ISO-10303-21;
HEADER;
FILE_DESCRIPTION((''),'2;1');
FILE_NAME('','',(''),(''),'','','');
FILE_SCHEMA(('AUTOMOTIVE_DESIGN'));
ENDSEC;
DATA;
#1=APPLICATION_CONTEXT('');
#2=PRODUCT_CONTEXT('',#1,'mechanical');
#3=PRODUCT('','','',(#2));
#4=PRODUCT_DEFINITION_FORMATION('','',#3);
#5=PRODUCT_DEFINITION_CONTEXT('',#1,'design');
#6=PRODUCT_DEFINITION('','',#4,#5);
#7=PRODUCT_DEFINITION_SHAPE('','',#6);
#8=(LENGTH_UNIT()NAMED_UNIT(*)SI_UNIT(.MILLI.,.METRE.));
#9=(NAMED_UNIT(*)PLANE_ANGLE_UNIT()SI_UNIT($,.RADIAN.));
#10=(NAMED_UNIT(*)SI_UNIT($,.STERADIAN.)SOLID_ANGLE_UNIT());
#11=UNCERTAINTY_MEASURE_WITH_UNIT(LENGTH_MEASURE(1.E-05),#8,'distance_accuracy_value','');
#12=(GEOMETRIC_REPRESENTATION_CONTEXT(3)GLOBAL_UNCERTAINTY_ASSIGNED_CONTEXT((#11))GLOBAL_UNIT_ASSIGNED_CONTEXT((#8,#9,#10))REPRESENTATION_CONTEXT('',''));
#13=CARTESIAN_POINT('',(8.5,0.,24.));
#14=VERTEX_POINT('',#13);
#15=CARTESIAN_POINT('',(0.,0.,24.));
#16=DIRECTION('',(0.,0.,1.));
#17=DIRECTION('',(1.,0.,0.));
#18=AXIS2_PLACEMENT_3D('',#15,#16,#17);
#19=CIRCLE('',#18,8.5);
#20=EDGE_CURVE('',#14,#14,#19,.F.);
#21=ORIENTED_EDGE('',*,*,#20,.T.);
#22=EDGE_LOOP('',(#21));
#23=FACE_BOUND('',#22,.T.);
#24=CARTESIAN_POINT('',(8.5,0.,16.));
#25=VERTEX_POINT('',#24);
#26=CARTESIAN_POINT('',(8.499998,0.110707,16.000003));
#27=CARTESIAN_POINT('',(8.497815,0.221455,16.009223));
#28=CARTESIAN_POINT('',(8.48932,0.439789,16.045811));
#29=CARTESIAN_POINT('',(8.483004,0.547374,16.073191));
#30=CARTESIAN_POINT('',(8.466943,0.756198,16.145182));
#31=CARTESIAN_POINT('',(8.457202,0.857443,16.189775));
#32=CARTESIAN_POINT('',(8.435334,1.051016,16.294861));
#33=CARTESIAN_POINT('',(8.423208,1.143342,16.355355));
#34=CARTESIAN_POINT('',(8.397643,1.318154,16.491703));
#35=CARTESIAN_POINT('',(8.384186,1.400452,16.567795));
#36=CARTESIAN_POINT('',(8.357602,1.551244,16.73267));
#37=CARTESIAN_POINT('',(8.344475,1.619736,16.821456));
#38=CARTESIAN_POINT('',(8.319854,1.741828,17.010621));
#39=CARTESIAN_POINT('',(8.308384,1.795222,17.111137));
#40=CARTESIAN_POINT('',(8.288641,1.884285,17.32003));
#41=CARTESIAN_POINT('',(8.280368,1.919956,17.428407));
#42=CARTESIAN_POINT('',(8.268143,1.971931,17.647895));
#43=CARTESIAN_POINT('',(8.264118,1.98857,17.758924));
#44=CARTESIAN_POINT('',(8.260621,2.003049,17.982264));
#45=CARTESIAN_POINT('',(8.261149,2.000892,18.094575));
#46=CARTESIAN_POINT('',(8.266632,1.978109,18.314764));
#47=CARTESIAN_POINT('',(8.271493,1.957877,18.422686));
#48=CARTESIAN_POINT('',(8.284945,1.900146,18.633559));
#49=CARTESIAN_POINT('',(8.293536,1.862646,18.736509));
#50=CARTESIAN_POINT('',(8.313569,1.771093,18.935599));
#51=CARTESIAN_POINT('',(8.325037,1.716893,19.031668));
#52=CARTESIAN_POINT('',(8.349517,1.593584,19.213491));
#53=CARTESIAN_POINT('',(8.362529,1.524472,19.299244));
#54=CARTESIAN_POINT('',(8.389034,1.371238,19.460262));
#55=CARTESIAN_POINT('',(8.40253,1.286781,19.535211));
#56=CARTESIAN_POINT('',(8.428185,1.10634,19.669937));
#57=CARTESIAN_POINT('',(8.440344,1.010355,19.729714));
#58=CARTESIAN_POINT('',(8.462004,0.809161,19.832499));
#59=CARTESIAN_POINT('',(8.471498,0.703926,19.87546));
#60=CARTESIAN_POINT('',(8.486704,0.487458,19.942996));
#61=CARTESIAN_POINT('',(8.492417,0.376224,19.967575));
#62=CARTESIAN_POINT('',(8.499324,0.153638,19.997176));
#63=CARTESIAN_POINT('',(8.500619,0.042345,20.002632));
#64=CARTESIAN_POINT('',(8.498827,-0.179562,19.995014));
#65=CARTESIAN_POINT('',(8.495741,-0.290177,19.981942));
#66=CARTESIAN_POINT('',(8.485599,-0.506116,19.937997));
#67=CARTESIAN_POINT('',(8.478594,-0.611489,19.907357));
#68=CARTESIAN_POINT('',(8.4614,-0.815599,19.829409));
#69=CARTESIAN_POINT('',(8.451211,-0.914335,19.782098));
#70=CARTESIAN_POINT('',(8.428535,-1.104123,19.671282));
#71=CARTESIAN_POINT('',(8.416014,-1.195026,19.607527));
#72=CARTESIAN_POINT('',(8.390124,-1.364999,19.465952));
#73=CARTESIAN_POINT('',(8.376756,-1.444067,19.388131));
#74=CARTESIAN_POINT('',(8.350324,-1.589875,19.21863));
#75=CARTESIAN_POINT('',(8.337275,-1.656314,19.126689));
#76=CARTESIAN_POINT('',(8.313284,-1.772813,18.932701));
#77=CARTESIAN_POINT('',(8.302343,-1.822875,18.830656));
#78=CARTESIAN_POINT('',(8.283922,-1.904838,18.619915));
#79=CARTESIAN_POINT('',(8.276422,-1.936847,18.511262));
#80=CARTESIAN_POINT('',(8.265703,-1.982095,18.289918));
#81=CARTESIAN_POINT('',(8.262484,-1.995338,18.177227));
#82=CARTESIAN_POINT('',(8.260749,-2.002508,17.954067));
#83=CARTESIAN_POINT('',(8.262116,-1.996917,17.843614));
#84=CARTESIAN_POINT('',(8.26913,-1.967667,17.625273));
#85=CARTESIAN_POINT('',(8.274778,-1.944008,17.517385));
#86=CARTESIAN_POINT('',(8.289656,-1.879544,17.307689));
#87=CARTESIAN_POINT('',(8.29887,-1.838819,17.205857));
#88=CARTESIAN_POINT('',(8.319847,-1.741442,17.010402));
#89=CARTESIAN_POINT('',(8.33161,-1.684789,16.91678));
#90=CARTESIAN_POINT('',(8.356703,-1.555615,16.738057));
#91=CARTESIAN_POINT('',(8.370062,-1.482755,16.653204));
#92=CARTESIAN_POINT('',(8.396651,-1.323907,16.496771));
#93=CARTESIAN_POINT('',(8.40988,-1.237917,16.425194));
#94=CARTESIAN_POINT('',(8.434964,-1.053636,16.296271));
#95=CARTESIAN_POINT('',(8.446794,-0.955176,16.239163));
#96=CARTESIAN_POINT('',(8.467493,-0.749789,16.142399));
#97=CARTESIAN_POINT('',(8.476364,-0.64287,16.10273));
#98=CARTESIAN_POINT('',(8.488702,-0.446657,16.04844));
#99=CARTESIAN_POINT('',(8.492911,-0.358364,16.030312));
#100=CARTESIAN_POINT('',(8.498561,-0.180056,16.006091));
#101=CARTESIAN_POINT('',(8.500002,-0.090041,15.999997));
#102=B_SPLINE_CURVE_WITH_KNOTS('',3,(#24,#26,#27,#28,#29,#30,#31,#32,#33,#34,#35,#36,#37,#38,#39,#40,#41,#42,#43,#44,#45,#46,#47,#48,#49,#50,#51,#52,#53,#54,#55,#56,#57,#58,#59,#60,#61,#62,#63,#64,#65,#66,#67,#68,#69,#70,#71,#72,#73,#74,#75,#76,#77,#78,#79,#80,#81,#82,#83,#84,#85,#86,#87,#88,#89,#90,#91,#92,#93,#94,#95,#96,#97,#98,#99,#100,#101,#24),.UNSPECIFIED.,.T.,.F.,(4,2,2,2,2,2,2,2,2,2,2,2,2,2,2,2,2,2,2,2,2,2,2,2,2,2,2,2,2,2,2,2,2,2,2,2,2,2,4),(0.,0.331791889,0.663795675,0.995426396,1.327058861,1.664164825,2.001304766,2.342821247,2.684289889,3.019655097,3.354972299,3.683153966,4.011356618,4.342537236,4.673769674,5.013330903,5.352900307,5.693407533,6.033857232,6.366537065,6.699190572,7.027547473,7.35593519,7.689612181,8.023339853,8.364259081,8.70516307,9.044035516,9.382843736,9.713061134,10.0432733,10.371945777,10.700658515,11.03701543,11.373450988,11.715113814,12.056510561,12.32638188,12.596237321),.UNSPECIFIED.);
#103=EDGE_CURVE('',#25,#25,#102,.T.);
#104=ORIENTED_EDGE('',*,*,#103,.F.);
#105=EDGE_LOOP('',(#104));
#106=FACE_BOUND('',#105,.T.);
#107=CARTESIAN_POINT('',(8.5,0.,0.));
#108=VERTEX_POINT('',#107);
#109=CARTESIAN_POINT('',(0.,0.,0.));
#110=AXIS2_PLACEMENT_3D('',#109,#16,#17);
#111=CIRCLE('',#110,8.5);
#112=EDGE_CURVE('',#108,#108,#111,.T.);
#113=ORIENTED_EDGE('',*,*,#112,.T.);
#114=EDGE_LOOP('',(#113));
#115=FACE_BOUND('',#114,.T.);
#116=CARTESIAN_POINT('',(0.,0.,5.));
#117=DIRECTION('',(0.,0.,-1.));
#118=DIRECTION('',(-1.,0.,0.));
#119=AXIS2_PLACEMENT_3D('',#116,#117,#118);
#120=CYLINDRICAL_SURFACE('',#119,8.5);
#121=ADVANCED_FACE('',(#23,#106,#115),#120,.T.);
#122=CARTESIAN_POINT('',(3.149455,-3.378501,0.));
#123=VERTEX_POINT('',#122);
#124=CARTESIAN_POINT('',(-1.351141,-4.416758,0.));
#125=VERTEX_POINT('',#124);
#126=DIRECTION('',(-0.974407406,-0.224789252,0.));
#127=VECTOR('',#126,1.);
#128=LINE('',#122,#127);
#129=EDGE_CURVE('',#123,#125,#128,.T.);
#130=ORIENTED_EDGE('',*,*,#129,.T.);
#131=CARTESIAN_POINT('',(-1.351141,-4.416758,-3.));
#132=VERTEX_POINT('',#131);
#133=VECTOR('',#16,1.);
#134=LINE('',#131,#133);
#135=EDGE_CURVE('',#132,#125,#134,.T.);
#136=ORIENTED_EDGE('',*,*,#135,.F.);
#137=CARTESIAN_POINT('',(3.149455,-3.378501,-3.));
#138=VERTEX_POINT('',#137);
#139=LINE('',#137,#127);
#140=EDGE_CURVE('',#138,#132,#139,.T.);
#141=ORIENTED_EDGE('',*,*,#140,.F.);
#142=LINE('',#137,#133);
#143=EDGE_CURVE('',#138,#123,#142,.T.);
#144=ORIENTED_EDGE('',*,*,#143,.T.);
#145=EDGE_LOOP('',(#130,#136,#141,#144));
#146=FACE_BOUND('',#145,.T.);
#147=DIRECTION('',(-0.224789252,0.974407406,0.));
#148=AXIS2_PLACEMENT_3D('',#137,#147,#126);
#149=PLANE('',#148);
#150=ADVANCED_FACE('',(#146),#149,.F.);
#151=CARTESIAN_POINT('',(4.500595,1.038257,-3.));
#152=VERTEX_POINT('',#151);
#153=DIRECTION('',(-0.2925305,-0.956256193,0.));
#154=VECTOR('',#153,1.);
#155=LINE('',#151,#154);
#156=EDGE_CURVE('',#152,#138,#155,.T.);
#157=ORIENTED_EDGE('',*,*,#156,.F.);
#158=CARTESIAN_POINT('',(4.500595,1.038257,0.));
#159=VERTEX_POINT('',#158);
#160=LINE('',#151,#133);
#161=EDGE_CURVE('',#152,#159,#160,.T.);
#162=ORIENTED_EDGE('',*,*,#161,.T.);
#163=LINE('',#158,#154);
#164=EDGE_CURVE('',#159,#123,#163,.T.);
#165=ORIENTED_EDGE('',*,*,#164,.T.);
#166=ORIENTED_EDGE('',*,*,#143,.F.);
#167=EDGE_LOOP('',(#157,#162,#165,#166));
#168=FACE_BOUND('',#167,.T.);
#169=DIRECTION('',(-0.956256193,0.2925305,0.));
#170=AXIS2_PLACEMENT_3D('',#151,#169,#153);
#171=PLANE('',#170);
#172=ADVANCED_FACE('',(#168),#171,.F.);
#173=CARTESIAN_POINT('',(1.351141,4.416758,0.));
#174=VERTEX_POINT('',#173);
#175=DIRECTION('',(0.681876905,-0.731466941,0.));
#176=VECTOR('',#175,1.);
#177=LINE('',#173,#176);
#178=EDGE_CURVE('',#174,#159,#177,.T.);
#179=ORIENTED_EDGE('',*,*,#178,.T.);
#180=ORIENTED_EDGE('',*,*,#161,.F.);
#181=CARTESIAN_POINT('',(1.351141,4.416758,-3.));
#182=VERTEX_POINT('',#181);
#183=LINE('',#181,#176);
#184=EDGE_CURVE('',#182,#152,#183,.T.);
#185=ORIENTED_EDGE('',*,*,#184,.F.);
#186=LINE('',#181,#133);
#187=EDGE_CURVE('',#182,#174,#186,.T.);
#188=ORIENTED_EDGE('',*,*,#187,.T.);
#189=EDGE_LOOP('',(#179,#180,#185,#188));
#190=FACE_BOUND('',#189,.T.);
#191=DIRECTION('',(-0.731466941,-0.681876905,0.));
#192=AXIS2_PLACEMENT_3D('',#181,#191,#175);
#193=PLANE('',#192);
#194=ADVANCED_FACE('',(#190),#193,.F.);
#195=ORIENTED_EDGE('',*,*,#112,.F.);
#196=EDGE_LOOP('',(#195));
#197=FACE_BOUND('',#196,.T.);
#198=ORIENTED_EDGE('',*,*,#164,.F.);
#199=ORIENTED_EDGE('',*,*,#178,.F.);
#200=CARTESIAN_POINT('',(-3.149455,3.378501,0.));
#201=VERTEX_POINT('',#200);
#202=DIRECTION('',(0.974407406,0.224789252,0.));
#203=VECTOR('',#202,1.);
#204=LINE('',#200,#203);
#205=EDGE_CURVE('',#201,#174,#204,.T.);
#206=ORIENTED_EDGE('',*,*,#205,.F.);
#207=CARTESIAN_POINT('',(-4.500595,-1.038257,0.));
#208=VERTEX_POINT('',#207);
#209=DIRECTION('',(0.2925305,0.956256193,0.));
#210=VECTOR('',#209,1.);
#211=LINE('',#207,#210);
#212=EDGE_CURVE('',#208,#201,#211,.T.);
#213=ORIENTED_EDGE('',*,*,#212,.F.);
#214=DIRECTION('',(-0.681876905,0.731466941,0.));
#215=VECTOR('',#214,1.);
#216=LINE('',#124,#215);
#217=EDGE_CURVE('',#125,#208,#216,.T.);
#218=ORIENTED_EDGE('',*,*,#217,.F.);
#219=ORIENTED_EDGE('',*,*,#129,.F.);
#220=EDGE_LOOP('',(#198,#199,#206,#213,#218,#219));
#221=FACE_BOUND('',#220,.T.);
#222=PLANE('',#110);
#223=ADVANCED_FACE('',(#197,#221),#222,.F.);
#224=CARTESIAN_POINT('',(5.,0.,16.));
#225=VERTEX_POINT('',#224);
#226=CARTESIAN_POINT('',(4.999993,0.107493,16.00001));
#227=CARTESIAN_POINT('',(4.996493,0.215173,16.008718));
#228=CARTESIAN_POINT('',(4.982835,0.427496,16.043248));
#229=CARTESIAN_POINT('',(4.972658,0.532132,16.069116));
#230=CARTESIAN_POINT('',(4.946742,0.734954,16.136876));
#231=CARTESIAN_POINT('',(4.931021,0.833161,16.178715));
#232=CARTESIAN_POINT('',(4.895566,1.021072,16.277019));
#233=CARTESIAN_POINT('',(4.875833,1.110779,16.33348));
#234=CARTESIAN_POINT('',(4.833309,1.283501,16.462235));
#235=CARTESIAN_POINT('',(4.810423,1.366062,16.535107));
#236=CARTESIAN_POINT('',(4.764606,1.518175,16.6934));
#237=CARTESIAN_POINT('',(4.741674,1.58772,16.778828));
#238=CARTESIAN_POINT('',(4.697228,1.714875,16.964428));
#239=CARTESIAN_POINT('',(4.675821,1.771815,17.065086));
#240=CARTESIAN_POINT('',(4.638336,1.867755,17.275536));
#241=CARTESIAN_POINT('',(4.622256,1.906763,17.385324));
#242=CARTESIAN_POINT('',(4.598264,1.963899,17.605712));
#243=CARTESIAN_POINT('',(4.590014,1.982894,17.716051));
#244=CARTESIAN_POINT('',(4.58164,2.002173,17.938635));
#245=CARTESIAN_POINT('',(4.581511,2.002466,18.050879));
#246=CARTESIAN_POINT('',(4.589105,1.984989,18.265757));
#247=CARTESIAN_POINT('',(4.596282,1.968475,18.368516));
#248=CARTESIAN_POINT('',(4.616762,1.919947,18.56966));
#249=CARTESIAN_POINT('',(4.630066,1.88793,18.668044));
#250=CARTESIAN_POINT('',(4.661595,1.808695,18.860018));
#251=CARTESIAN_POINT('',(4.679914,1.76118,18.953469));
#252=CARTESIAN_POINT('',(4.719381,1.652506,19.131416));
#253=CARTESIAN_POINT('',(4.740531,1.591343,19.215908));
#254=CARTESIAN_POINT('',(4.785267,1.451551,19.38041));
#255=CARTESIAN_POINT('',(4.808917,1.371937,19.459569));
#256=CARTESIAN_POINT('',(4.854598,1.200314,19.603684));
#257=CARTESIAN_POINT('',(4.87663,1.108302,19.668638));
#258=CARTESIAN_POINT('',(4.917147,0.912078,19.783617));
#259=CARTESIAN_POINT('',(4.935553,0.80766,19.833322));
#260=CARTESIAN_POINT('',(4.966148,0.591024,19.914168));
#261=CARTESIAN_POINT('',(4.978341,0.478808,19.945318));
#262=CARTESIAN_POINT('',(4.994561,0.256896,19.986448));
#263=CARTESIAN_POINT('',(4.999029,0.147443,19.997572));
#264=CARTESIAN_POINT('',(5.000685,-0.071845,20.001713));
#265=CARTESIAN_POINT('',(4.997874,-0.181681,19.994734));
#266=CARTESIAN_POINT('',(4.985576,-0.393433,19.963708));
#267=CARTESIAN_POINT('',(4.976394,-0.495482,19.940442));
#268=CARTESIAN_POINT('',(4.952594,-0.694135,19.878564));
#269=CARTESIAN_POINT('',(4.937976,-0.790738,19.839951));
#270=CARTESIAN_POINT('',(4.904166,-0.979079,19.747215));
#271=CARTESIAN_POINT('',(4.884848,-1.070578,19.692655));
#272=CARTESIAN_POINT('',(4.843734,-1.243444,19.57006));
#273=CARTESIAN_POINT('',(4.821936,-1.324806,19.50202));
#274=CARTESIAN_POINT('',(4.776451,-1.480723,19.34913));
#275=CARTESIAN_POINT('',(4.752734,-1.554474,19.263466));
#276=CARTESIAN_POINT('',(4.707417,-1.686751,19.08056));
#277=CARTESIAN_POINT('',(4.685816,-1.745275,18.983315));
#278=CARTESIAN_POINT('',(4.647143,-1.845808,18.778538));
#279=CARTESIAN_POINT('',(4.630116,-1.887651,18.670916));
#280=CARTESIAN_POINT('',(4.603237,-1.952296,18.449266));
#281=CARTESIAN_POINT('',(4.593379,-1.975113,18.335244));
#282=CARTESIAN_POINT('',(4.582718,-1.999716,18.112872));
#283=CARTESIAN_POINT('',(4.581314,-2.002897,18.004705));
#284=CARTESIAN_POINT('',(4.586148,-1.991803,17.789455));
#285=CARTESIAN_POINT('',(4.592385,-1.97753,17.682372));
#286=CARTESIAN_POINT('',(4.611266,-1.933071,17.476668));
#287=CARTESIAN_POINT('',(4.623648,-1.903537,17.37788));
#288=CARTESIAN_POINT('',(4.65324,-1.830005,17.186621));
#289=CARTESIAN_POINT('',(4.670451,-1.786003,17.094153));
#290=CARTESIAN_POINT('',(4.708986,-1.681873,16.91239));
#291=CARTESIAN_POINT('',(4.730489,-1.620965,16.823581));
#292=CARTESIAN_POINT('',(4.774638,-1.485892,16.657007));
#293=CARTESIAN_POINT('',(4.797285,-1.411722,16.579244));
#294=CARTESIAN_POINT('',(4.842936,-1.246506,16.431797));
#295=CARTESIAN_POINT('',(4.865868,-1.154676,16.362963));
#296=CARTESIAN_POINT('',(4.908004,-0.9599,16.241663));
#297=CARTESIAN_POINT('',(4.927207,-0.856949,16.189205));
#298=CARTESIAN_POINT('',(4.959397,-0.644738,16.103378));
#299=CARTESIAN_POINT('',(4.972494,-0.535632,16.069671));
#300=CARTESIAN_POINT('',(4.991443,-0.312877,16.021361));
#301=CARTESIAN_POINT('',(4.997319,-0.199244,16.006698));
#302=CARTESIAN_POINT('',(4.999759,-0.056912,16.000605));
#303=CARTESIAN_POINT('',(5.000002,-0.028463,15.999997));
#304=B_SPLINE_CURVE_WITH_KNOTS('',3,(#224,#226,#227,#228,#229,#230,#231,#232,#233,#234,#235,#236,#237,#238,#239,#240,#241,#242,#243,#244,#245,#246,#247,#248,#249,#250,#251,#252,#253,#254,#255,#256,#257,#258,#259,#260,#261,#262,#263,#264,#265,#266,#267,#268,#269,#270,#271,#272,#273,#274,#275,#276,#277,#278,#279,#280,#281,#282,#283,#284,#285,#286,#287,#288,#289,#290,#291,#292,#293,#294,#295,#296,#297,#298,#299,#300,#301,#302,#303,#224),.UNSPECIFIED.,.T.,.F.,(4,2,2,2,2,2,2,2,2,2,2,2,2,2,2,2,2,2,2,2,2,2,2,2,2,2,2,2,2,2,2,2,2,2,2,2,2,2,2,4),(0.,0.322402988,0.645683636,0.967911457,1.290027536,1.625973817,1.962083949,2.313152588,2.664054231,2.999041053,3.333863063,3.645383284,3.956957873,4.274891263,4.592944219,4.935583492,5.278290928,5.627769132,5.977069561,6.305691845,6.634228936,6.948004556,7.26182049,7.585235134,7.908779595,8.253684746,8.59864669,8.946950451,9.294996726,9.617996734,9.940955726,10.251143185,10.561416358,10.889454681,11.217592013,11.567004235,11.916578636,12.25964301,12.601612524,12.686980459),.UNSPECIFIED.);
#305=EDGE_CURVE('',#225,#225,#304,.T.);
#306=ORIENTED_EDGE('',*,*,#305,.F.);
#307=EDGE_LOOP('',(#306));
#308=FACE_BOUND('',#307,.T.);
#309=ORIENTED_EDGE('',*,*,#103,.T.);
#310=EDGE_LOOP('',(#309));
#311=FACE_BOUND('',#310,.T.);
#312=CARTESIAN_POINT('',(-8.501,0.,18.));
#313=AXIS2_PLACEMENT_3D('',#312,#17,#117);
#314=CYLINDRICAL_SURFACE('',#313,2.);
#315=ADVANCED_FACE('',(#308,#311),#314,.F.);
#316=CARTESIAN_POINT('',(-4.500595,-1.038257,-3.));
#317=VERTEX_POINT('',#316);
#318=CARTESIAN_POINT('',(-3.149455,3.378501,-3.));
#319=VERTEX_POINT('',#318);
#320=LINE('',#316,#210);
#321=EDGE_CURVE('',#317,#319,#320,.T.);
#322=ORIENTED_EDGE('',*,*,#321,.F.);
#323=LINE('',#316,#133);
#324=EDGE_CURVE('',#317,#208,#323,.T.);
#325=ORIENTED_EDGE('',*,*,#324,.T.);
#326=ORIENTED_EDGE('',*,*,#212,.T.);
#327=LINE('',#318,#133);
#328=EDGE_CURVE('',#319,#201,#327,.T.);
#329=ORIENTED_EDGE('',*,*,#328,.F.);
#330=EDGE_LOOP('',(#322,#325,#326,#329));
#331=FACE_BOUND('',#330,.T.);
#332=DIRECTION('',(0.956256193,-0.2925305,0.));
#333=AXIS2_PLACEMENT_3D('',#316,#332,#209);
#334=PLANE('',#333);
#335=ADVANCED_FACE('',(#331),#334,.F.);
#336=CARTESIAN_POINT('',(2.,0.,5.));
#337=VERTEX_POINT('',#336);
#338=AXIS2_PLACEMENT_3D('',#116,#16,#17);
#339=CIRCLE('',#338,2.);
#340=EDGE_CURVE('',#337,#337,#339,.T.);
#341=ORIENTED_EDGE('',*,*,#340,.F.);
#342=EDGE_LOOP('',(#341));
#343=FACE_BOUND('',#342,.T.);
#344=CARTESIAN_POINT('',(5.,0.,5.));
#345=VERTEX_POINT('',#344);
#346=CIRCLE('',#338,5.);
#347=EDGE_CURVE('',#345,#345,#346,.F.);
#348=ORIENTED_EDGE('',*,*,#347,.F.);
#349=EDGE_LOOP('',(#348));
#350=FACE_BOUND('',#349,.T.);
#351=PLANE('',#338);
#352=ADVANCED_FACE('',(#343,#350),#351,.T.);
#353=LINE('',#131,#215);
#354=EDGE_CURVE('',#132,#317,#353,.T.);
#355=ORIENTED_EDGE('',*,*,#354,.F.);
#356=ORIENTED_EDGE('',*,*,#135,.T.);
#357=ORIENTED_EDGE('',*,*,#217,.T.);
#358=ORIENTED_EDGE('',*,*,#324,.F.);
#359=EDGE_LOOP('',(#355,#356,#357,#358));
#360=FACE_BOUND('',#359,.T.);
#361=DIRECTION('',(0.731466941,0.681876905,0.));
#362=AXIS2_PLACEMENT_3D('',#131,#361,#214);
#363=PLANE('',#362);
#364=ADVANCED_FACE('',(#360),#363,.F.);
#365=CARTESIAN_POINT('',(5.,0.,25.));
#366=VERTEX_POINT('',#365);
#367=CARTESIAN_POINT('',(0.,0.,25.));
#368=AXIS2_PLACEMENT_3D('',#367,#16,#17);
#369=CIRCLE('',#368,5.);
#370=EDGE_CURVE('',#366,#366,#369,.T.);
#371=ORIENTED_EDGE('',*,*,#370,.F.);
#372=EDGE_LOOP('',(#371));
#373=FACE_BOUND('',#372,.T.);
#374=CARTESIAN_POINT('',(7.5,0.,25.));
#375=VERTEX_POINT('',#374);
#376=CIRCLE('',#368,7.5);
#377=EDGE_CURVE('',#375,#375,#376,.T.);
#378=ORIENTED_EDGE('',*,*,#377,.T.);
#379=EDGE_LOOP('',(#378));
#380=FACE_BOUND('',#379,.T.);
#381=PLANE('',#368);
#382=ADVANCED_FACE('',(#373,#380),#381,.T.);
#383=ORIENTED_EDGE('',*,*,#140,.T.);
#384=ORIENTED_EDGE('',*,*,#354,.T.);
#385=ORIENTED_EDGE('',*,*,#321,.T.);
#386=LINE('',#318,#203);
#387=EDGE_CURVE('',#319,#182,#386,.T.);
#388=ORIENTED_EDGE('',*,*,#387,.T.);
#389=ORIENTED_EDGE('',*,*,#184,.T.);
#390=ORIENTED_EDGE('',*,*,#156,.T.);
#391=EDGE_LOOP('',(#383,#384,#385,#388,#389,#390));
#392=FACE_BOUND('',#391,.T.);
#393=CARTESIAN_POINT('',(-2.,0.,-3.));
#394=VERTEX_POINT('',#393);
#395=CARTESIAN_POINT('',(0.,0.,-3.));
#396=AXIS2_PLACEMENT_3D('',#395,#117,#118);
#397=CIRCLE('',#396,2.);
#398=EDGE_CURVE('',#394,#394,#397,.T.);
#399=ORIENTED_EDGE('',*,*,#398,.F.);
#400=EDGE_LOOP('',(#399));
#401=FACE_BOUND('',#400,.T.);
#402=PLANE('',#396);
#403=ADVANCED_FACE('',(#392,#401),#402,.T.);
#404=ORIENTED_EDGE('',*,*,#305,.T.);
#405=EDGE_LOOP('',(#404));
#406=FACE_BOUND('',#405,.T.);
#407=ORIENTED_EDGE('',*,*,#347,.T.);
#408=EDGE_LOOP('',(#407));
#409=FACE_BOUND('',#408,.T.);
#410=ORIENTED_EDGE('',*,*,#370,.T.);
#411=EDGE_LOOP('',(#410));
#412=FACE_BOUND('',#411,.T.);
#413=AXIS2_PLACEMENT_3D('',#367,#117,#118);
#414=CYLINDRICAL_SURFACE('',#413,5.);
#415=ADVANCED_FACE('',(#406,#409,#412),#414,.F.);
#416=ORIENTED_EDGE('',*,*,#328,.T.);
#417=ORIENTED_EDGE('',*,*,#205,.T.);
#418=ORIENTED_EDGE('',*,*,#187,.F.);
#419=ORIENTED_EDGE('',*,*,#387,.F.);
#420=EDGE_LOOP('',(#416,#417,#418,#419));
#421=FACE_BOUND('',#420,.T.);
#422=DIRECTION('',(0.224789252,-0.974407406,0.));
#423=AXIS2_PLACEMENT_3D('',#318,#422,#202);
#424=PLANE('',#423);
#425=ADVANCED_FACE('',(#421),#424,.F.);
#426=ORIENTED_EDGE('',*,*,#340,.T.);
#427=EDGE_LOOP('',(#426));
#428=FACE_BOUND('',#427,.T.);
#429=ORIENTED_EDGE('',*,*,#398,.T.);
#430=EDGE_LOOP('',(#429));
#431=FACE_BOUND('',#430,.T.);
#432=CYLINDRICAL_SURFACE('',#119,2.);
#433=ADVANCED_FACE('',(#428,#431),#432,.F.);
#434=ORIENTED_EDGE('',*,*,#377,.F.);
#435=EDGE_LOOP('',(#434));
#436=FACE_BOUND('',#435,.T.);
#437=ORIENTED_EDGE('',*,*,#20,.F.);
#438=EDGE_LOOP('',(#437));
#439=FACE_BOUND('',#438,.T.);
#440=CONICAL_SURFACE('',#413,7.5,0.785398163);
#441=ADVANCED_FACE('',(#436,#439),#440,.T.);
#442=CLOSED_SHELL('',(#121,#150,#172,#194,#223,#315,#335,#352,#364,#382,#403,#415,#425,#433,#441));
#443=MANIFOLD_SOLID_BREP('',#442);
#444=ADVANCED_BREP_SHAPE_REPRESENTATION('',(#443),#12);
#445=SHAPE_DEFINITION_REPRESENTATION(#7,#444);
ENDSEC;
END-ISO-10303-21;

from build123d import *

# Parameters (mm, degrees)
SKETCH1_R           = 8.5
SKETCH1_R_2         = 2
BOSS_EXTRUDE1_DEPTH = 5
SKETCH2_R           = 8.5
SKETCH2_R_2         = 5
BOSS_EXTRUDE2_DEPTH = 20
SKETCH3_R           = 2
BOSS_EXTRUDE3_DEPTH = 3
CHAMFER1_SIZE       = 1
CUT_EXTRUDE1_REACH  = 19
SKETCH4_R           = 2


with BuildPart() as part:
    # Sketch1 → Boss-Extrude1 (new body)
    with BuildSketch(Plane.XY):
        Circle(SKETCH1_R)
        Circle(SKETCH1_R_2, mode=Mode.SUBTRACT)
    extrude(amount=BOSS_EXTRUDE1_DEPTH)

    # Sketch2 → Boss-Extrude2 (add)
    with BuildSketch(Plane.XY.offset(5)):
        Circle(SKETCH2_R)
        Circle(SKETCH2_R_2, mode=Mode.SUBTRACT)
    extrude(amount=BOSS_EXTRUDE2_DEPTH)

    # Sketch3 → Boss-Extrude3 (add)
    with BuildSketch(Plane(origin=(0, 0, 0), x_dir=(-1, 0, 0), z_dir=(0, 0, -1))):
        Polygon((-4.500595024, 1.03825708), (-3.149454519, -3.378501083), (1.351140505, -4.416758163), (4.500595024, -1.03825708), (3.149454519, 3.378501083), (-1.351140505, 4.416758163), align=None)
        Circle(SKETCH3_R, mode=Mode.SUBTRACT)
    extrude(amount=BOSS_EXTRUDE3_DEPTH)

    # Chamfer1
    chamfer1_edges = [part.edges().sort_by_distance(p)[0] for p in [
        (-8.5, 0, 25),
    ]]
    chamfer(chamfer1_edges, length=CHAMFER1_SIZE)

    # Sketch4 → Cut-Extrude1 (cut, up to next)
    with BuildSketch(Plane(origin=(8.5, 0, 0), x_dir=(0, 0, -1), z_dir=(1, 0, 0)), mode=Mode.PRIVATE) as cut_extrude1_sk1:
        with Locations((-18, 0)):
            Circle(SKETCH4_R)
    cut_extrude1_tool1 = extrude(cut_extrude1_sk1.sketch, amount=-CUT_EXTRUDE1_REACH, mode=Mode.PRIVATE) & part.part
    add(cut_extrude1_tool1.solids().sort_by_distance((8.5, 0, 18))[0], mode=Mode.SUBTRACT)


solid = part.part
